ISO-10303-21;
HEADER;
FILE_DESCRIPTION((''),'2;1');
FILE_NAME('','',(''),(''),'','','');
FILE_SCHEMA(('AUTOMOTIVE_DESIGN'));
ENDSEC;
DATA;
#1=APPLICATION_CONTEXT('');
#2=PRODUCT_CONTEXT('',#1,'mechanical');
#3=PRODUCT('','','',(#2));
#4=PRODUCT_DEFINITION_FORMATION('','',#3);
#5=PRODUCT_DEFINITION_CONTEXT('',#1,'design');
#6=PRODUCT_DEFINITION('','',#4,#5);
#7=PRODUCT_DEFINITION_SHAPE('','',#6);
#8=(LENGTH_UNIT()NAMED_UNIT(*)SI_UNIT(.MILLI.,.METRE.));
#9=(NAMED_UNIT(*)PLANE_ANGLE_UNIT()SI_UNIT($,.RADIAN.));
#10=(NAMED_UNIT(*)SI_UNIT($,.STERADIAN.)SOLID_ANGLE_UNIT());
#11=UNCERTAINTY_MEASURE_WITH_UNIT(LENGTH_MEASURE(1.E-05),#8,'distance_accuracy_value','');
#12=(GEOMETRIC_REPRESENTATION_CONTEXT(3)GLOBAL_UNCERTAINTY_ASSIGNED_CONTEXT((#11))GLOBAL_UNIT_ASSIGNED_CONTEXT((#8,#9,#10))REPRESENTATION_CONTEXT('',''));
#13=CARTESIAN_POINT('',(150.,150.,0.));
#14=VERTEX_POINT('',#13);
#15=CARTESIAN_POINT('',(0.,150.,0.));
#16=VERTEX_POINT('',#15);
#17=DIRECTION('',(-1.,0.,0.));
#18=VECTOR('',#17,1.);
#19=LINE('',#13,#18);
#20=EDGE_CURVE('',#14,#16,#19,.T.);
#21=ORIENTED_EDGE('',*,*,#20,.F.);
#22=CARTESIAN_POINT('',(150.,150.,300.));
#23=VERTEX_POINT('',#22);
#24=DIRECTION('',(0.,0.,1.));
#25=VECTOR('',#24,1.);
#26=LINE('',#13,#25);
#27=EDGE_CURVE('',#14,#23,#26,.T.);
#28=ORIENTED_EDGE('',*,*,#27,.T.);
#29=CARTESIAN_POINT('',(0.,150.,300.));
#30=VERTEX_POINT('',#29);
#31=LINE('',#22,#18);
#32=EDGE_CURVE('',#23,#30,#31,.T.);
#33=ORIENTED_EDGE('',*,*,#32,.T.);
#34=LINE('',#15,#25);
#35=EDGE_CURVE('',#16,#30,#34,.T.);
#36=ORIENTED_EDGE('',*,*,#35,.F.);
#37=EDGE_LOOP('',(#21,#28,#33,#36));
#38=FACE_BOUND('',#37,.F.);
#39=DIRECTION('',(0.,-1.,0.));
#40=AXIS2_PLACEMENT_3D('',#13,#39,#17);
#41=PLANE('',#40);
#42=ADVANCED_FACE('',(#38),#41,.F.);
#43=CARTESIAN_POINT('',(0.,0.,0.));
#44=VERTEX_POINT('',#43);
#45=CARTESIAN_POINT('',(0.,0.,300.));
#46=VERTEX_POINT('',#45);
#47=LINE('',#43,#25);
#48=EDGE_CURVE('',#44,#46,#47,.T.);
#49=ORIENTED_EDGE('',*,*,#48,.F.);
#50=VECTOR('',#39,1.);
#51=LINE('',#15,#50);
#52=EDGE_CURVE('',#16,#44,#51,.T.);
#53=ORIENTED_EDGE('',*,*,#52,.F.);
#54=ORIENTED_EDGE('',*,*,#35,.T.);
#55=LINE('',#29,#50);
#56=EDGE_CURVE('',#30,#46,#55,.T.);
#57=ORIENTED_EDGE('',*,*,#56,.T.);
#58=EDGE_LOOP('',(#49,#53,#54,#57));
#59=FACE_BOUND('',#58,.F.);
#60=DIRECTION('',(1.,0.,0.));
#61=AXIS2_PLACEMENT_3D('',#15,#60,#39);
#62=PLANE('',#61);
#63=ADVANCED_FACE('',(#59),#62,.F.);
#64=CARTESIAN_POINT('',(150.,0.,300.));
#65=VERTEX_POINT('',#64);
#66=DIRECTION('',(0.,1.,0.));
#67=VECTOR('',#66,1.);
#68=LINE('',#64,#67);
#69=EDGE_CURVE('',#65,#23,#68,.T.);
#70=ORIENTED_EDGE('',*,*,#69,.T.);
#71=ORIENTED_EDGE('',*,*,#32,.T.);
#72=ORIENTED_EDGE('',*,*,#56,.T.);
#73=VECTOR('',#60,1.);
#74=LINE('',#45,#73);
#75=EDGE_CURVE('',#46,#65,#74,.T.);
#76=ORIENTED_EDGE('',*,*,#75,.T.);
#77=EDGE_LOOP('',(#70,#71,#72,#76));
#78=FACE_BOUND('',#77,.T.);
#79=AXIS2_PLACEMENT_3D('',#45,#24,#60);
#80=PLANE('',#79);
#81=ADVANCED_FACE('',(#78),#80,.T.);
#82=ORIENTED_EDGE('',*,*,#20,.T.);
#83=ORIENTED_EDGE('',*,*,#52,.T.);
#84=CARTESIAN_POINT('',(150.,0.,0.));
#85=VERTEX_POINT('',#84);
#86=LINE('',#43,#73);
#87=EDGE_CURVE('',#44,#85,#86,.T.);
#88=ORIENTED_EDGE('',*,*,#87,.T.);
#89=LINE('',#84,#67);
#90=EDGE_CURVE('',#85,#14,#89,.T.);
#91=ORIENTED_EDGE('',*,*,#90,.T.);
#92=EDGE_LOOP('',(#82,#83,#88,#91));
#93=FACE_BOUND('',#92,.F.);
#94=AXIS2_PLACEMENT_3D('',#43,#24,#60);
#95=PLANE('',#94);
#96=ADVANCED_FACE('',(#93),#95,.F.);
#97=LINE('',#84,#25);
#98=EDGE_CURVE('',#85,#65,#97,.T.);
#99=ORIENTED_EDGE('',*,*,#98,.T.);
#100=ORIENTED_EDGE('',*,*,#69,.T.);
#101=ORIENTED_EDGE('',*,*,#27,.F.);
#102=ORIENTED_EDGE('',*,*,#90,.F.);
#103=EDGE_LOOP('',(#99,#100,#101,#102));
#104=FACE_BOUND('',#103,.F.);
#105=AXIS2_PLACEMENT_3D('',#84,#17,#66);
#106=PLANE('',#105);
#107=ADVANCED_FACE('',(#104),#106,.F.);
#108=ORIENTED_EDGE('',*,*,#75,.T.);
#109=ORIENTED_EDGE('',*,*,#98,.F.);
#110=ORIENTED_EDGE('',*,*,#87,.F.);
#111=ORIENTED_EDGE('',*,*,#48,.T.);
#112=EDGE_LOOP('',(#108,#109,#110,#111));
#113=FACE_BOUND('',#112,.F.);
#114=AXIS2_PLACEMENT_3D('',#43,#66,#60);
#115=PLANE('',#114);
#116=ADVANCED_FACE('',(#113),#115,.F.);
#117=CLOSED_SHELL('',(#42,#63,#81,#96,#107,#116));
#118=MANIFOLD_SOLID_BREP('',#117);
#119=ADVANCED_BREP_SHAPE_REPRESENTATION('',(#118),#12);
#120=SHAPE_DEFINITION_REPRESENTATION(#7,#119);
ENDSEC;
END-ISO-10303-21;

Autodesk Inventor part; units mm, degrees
ref_plane "YZ Plane" through (0, 0, 0) normal (1, 0, 0) x (0, 1, 0)
ref_plane "XZ Plane" through (0, 0, 0) normal (0, 1, 0) x (-1, 0, 0)
ref_plane "XY Plane" through (0, 0, 0) normal (0, 0, 1) x (1, 0, 0)
sketch "Sketch1" plane through (0, 0, 0) normal (0, 0, 1) x (1, 0, 0)
  line L0 (0, 0) -> (150, 0)
  line L1 (150, 0) -> (150, 150)
  line L2 (150, 150) -> (0, 150)
  line L3 (0, 150) -> (0, 0)
  dimension "d0" = 150
  dimension "d1" = 150
extrude "Extrusion1" add sketch "Sketch1" along normal blind 300
properties material "Lead"
